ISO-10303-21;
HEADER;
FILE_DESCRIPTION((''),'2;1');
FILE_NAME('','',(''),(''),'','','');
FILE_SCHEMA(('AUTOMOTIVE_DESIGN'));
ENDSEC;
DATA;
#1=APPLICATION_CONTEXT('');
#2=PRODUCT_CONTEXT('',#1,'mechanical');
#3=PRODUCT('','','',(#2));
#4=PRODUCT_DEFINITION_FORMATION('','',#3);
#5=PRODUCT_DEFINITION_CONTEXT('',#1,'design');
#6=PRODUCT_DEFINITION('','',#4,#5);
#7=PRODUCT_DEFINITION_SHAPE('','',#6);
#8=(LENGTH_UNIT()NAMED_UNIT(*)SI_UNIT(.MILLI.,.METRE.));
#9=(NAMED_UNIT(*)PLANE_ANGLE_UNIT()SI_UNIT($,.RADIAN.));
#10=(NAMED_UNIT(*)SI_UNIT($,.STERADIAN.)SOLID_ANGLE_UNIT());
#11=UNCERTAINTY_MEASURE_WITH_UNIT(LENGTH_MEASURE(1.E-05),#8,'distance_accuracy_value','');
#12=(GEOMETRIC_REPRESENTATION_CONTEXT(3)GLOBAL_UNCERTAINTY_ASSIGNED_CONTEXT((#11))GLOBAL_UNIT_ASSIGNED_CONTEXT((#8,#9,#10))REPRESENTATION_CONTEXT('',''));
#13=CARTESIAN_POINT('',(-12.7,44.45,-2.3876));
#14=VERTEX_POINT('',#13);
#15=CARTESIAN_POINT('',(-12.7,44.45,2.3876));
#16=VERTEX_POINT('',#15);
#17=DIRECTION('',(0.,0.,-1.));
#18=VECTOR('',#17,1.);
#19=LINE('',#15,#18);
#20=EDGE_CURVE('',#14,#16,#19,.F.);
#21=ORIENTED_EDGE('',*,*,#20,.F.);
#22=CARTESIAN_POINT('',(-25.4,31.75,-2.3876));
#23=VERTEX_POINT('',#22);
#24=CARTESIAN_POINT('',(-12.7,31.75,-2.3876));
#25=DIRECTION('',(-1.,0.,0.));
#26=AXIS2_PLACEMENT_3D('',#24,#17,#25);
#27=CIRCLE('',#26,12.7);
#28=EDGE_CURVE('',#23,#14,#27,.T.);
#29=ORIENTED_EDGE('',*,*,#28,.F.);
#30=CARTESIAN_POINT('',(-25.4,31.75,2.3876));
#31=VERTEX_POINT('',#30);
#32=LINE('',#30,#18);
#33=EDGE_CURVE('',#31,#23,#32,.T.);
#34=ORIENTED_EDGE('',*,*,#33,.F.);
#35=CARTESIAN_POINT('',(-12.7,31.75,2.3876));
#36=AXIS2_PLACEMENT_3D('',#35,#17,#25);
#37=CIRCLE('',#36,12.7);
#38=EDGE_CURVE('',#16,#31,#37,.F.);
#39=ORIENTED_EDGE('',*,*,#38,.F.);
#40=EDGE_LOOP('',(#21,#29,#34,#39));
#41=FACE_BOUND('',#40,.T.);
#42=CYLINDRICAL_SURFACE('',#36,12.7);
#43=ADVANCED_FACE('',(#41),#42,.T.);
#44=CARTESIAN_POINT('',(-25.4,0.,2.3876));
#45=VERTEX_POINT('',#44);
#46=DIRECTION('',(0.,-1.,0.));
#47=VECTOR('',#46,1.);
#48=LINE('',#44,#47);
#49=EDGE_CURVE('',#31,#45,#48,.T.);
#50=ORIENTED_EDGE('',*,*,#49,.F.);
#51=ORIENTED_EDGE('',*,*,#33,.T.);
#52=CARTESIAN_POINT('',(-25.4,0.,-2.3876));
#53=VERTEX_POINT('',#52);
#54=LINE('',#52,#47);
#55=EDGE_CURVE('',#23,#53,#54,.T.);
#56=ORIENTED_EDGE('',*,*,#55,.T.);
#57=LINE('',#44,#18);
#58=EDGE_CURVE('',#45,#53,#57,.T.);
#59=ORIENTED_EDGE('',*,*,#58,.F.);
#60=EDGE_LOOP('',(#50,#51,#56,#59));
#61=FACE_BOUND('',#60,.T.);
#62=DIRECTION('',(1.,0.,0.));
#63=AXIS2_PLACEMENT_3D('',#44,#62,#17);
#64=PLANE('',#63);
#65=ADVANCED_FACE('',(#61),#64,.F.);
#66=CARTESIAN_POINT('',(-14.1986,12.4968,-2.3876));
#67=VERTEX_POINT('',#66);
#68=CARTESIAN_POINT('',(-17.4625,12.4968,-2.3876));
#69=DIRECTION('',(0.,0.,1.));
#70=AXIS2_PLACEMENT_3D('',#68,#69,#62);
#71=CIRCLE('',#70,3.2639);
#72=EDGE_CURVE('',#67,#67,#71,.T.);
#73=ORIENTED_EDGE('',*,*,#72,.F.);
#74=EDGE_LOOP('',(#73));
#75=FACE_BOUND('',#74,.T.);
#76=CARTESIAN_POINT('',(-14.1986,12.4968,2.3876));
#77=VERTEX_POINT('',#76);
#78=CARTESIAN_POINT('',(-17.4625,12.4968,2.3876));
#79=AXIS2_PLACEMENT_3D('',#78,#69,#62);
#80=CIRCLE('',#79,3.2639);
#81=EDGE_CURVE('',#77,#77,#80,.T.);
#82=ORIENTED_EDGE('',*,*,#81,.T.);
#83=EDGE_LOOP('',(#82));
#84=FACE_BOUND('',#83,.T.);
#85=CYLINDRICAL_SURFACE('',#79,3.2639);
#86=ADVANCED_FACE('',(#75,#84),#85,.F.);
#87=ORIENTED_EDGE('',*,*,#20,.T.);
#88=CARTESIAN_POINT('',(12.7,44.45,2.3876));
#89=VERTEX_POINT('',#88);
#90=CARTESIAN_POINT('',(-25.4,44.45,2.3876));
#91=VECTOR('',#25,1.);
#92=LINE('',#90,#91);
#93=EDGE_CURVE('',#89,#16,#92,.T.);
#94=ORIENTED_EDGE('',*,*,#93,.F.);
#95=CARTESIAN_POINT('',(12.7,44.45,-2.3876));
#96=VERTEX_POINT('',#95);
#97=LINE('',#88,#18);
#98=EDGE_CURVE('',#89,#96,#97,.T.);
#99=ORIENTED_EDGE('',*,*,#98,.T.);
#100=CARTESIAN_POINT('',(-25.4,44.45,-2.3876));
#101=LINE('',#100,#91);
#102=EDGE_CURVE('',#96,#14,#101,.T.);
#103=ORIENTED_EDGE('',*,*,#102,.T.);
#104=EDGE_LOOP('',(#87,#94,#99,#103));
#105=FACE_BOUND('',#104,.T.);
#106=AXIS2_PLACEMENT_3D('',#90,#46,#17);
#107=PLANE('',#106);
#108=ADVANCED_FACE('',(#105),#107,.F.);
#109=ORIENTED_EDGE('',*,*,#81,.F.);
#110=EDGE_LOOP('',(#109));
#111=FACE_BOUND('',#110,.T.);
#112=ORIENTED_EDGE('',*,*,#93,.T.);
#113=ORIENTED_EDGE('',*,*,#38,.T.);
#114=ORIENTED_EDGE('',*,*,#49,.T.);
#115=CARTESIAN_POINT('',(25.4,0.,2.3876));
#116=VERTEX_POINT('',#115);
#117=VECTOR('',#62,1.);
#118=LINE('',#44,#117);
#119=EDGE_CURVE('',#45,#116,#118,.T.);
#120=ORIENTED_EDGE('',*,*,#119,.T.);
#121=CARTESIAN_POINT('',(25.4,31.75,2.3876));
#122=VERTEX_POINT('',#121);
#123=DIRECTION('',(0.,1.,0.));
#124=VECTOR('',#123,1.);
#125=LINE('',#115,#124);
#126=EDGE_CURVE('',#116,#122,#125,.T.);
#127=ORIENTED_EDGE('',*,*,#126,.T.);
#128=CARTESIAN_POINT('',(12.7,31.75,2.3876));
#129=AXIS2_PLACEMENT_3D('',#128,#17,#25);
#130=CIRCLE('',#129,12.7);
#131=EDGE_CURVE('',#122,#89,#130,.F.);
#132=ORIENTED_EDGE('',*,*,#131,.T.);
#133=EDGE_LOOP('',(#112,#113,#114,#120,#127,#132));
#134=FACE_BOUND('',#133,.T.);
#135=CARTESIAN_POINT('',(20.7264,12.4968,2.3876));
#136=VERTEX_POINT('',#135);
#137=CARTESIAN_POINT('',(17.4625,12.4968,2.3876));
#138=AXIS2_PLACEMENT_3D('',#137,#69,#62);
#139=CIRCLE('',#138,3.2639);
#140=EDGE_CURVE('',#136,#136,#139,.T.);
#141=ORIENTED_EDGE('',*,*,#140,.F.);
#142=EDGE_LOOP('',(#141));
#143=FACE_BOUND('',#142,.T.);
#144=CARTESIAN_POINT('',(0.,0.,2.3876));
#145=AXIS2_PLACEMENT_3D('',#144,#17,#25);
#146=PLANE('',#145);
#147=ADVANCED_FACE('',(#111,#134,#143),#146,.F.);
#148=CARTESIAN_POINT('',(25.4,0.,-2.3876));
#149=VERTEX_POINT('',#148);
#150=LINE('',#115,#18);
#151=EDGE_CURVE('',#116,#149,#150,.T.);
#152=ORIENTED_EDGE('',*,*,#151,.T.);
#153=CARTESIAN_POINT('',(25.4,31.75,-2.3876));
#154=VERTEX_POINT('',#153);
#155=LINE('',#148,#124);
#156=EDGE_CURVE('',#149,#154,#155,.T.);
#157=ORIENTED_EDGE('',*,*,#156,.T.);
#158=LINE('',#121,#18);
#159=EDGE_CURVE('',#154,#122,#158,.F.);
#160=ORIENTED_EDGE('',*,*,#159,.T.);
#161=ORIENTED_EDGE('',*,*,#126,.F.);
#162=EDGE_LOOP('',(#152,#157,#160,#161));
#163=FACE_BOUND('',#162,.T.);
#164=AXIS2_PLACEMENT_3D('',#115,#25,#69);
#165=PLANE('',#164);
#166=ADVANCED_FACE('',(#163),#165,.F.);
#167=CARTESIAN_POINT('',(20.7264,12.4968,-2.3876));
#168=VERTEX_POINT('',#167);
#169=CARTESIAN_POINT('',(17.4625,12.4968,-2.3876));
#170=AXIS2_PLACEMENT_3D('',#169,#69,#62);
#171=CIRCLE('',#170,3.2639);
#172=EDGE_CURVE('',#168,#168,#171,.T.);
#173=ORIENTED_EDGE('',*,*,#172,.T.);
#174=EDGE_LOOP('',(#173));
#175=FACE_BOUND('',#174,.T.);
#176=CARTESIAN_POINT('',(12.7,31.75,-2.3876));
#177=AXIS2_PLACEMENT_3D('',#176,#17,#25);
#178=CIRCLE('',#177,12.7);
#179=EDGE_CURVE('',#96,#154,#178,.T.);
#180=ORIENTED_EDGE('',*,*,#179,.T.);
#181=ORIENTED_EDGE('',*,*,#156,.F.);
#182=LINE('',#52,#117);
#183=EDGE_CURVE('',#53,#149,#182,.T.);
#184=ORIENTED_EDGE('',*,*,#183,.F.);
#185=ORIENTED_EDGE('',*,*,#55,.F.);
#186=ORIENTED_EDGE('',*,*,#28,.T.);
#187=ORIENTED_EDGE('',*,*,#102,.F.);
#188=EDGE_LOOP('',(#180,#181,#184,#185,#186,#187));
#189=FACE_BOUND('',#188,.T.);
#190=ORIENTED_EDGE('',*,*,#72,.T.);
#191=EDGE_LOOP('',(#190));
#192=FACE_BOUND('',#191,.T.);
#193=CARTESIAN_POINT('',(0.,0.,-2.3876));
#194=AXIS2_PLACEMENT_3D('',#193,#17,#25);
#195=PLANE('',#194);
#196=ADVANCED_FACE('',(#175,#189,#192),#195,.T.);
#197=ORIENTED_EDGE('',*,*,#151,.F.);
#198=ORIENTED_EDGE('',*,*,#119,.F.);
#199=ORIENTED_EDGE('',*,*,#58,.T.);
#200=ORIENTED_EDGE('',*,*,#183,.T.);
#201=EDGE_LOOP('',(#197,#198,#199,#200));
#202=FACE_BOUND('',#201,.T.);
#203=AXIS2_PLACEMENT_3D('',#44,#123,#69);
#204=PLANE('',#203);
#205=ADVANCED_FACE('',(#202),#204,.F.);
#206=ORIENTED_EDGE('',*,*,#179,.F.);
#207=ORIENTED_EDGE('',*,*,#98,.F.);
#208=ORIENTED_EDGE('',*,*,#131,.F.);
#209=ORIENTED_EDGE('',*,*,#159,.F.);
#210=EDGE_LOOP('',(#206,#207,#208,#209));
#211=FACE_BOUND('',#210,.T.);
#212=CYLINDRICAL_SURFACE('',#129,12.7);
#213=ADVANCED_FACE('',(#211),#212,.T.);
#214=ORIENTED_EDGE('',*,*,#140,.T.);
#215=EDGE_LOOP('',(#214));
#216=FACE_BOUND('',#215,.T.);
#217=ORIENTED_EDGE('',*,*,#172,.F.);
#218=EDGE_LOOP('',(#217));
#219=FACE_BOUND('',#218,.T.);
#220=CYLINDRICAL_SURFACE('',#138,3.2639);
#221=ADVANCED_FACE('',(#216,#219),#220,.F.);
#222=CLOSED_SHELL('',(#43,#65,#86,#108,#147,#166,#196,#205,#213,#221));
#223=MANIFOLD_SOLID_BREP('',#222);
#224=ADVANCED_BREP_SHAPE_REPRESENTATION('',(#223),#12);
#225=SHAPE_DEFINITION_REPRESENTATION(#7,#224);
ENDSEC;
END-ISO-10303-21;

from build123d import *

# Parameters (mm, degrees)
SKETCH1_W                = 50.8
SKETCH1_H                = 44.45
BOSS_EXTRUDE1_DEPTH      = 2.3876
F_0_257_DIAMETER_HOLE1_D = 6.5278
FILLET1_R                = 12.7


with BuildPart() as part:
    # Sketch1 → Boss-Extrude1 (new body, symmetric)
    with BuildSketch(Plane.XY):
        with Locations((0, 22.225)):
            Rectangle(SKETCH1_W, SKETCH1_H)
    extrude(amount=BOSS_EXTRUDE1_DEPTH, both=True)

    # F (0.257) Diameter Hole1 (through all)
    with Locations(Plane.XY.offset(2.3876)):
        with Locations((-17.4625, 12.4968), (17.4625, 12.4968)):
            Hole(F_0_257_DIAMETER_HOLE1_D / 2)

    # Fillet1
    fillet1_edges = [part.edges().sort_by_distance(p)[0] for p in [
        (-25.4, 44.45, 0),
        (25.4, 44.45, 0),
    ]]
    fillet(fillet1_edges, radius=FILLET1_R)


solid = part.part
